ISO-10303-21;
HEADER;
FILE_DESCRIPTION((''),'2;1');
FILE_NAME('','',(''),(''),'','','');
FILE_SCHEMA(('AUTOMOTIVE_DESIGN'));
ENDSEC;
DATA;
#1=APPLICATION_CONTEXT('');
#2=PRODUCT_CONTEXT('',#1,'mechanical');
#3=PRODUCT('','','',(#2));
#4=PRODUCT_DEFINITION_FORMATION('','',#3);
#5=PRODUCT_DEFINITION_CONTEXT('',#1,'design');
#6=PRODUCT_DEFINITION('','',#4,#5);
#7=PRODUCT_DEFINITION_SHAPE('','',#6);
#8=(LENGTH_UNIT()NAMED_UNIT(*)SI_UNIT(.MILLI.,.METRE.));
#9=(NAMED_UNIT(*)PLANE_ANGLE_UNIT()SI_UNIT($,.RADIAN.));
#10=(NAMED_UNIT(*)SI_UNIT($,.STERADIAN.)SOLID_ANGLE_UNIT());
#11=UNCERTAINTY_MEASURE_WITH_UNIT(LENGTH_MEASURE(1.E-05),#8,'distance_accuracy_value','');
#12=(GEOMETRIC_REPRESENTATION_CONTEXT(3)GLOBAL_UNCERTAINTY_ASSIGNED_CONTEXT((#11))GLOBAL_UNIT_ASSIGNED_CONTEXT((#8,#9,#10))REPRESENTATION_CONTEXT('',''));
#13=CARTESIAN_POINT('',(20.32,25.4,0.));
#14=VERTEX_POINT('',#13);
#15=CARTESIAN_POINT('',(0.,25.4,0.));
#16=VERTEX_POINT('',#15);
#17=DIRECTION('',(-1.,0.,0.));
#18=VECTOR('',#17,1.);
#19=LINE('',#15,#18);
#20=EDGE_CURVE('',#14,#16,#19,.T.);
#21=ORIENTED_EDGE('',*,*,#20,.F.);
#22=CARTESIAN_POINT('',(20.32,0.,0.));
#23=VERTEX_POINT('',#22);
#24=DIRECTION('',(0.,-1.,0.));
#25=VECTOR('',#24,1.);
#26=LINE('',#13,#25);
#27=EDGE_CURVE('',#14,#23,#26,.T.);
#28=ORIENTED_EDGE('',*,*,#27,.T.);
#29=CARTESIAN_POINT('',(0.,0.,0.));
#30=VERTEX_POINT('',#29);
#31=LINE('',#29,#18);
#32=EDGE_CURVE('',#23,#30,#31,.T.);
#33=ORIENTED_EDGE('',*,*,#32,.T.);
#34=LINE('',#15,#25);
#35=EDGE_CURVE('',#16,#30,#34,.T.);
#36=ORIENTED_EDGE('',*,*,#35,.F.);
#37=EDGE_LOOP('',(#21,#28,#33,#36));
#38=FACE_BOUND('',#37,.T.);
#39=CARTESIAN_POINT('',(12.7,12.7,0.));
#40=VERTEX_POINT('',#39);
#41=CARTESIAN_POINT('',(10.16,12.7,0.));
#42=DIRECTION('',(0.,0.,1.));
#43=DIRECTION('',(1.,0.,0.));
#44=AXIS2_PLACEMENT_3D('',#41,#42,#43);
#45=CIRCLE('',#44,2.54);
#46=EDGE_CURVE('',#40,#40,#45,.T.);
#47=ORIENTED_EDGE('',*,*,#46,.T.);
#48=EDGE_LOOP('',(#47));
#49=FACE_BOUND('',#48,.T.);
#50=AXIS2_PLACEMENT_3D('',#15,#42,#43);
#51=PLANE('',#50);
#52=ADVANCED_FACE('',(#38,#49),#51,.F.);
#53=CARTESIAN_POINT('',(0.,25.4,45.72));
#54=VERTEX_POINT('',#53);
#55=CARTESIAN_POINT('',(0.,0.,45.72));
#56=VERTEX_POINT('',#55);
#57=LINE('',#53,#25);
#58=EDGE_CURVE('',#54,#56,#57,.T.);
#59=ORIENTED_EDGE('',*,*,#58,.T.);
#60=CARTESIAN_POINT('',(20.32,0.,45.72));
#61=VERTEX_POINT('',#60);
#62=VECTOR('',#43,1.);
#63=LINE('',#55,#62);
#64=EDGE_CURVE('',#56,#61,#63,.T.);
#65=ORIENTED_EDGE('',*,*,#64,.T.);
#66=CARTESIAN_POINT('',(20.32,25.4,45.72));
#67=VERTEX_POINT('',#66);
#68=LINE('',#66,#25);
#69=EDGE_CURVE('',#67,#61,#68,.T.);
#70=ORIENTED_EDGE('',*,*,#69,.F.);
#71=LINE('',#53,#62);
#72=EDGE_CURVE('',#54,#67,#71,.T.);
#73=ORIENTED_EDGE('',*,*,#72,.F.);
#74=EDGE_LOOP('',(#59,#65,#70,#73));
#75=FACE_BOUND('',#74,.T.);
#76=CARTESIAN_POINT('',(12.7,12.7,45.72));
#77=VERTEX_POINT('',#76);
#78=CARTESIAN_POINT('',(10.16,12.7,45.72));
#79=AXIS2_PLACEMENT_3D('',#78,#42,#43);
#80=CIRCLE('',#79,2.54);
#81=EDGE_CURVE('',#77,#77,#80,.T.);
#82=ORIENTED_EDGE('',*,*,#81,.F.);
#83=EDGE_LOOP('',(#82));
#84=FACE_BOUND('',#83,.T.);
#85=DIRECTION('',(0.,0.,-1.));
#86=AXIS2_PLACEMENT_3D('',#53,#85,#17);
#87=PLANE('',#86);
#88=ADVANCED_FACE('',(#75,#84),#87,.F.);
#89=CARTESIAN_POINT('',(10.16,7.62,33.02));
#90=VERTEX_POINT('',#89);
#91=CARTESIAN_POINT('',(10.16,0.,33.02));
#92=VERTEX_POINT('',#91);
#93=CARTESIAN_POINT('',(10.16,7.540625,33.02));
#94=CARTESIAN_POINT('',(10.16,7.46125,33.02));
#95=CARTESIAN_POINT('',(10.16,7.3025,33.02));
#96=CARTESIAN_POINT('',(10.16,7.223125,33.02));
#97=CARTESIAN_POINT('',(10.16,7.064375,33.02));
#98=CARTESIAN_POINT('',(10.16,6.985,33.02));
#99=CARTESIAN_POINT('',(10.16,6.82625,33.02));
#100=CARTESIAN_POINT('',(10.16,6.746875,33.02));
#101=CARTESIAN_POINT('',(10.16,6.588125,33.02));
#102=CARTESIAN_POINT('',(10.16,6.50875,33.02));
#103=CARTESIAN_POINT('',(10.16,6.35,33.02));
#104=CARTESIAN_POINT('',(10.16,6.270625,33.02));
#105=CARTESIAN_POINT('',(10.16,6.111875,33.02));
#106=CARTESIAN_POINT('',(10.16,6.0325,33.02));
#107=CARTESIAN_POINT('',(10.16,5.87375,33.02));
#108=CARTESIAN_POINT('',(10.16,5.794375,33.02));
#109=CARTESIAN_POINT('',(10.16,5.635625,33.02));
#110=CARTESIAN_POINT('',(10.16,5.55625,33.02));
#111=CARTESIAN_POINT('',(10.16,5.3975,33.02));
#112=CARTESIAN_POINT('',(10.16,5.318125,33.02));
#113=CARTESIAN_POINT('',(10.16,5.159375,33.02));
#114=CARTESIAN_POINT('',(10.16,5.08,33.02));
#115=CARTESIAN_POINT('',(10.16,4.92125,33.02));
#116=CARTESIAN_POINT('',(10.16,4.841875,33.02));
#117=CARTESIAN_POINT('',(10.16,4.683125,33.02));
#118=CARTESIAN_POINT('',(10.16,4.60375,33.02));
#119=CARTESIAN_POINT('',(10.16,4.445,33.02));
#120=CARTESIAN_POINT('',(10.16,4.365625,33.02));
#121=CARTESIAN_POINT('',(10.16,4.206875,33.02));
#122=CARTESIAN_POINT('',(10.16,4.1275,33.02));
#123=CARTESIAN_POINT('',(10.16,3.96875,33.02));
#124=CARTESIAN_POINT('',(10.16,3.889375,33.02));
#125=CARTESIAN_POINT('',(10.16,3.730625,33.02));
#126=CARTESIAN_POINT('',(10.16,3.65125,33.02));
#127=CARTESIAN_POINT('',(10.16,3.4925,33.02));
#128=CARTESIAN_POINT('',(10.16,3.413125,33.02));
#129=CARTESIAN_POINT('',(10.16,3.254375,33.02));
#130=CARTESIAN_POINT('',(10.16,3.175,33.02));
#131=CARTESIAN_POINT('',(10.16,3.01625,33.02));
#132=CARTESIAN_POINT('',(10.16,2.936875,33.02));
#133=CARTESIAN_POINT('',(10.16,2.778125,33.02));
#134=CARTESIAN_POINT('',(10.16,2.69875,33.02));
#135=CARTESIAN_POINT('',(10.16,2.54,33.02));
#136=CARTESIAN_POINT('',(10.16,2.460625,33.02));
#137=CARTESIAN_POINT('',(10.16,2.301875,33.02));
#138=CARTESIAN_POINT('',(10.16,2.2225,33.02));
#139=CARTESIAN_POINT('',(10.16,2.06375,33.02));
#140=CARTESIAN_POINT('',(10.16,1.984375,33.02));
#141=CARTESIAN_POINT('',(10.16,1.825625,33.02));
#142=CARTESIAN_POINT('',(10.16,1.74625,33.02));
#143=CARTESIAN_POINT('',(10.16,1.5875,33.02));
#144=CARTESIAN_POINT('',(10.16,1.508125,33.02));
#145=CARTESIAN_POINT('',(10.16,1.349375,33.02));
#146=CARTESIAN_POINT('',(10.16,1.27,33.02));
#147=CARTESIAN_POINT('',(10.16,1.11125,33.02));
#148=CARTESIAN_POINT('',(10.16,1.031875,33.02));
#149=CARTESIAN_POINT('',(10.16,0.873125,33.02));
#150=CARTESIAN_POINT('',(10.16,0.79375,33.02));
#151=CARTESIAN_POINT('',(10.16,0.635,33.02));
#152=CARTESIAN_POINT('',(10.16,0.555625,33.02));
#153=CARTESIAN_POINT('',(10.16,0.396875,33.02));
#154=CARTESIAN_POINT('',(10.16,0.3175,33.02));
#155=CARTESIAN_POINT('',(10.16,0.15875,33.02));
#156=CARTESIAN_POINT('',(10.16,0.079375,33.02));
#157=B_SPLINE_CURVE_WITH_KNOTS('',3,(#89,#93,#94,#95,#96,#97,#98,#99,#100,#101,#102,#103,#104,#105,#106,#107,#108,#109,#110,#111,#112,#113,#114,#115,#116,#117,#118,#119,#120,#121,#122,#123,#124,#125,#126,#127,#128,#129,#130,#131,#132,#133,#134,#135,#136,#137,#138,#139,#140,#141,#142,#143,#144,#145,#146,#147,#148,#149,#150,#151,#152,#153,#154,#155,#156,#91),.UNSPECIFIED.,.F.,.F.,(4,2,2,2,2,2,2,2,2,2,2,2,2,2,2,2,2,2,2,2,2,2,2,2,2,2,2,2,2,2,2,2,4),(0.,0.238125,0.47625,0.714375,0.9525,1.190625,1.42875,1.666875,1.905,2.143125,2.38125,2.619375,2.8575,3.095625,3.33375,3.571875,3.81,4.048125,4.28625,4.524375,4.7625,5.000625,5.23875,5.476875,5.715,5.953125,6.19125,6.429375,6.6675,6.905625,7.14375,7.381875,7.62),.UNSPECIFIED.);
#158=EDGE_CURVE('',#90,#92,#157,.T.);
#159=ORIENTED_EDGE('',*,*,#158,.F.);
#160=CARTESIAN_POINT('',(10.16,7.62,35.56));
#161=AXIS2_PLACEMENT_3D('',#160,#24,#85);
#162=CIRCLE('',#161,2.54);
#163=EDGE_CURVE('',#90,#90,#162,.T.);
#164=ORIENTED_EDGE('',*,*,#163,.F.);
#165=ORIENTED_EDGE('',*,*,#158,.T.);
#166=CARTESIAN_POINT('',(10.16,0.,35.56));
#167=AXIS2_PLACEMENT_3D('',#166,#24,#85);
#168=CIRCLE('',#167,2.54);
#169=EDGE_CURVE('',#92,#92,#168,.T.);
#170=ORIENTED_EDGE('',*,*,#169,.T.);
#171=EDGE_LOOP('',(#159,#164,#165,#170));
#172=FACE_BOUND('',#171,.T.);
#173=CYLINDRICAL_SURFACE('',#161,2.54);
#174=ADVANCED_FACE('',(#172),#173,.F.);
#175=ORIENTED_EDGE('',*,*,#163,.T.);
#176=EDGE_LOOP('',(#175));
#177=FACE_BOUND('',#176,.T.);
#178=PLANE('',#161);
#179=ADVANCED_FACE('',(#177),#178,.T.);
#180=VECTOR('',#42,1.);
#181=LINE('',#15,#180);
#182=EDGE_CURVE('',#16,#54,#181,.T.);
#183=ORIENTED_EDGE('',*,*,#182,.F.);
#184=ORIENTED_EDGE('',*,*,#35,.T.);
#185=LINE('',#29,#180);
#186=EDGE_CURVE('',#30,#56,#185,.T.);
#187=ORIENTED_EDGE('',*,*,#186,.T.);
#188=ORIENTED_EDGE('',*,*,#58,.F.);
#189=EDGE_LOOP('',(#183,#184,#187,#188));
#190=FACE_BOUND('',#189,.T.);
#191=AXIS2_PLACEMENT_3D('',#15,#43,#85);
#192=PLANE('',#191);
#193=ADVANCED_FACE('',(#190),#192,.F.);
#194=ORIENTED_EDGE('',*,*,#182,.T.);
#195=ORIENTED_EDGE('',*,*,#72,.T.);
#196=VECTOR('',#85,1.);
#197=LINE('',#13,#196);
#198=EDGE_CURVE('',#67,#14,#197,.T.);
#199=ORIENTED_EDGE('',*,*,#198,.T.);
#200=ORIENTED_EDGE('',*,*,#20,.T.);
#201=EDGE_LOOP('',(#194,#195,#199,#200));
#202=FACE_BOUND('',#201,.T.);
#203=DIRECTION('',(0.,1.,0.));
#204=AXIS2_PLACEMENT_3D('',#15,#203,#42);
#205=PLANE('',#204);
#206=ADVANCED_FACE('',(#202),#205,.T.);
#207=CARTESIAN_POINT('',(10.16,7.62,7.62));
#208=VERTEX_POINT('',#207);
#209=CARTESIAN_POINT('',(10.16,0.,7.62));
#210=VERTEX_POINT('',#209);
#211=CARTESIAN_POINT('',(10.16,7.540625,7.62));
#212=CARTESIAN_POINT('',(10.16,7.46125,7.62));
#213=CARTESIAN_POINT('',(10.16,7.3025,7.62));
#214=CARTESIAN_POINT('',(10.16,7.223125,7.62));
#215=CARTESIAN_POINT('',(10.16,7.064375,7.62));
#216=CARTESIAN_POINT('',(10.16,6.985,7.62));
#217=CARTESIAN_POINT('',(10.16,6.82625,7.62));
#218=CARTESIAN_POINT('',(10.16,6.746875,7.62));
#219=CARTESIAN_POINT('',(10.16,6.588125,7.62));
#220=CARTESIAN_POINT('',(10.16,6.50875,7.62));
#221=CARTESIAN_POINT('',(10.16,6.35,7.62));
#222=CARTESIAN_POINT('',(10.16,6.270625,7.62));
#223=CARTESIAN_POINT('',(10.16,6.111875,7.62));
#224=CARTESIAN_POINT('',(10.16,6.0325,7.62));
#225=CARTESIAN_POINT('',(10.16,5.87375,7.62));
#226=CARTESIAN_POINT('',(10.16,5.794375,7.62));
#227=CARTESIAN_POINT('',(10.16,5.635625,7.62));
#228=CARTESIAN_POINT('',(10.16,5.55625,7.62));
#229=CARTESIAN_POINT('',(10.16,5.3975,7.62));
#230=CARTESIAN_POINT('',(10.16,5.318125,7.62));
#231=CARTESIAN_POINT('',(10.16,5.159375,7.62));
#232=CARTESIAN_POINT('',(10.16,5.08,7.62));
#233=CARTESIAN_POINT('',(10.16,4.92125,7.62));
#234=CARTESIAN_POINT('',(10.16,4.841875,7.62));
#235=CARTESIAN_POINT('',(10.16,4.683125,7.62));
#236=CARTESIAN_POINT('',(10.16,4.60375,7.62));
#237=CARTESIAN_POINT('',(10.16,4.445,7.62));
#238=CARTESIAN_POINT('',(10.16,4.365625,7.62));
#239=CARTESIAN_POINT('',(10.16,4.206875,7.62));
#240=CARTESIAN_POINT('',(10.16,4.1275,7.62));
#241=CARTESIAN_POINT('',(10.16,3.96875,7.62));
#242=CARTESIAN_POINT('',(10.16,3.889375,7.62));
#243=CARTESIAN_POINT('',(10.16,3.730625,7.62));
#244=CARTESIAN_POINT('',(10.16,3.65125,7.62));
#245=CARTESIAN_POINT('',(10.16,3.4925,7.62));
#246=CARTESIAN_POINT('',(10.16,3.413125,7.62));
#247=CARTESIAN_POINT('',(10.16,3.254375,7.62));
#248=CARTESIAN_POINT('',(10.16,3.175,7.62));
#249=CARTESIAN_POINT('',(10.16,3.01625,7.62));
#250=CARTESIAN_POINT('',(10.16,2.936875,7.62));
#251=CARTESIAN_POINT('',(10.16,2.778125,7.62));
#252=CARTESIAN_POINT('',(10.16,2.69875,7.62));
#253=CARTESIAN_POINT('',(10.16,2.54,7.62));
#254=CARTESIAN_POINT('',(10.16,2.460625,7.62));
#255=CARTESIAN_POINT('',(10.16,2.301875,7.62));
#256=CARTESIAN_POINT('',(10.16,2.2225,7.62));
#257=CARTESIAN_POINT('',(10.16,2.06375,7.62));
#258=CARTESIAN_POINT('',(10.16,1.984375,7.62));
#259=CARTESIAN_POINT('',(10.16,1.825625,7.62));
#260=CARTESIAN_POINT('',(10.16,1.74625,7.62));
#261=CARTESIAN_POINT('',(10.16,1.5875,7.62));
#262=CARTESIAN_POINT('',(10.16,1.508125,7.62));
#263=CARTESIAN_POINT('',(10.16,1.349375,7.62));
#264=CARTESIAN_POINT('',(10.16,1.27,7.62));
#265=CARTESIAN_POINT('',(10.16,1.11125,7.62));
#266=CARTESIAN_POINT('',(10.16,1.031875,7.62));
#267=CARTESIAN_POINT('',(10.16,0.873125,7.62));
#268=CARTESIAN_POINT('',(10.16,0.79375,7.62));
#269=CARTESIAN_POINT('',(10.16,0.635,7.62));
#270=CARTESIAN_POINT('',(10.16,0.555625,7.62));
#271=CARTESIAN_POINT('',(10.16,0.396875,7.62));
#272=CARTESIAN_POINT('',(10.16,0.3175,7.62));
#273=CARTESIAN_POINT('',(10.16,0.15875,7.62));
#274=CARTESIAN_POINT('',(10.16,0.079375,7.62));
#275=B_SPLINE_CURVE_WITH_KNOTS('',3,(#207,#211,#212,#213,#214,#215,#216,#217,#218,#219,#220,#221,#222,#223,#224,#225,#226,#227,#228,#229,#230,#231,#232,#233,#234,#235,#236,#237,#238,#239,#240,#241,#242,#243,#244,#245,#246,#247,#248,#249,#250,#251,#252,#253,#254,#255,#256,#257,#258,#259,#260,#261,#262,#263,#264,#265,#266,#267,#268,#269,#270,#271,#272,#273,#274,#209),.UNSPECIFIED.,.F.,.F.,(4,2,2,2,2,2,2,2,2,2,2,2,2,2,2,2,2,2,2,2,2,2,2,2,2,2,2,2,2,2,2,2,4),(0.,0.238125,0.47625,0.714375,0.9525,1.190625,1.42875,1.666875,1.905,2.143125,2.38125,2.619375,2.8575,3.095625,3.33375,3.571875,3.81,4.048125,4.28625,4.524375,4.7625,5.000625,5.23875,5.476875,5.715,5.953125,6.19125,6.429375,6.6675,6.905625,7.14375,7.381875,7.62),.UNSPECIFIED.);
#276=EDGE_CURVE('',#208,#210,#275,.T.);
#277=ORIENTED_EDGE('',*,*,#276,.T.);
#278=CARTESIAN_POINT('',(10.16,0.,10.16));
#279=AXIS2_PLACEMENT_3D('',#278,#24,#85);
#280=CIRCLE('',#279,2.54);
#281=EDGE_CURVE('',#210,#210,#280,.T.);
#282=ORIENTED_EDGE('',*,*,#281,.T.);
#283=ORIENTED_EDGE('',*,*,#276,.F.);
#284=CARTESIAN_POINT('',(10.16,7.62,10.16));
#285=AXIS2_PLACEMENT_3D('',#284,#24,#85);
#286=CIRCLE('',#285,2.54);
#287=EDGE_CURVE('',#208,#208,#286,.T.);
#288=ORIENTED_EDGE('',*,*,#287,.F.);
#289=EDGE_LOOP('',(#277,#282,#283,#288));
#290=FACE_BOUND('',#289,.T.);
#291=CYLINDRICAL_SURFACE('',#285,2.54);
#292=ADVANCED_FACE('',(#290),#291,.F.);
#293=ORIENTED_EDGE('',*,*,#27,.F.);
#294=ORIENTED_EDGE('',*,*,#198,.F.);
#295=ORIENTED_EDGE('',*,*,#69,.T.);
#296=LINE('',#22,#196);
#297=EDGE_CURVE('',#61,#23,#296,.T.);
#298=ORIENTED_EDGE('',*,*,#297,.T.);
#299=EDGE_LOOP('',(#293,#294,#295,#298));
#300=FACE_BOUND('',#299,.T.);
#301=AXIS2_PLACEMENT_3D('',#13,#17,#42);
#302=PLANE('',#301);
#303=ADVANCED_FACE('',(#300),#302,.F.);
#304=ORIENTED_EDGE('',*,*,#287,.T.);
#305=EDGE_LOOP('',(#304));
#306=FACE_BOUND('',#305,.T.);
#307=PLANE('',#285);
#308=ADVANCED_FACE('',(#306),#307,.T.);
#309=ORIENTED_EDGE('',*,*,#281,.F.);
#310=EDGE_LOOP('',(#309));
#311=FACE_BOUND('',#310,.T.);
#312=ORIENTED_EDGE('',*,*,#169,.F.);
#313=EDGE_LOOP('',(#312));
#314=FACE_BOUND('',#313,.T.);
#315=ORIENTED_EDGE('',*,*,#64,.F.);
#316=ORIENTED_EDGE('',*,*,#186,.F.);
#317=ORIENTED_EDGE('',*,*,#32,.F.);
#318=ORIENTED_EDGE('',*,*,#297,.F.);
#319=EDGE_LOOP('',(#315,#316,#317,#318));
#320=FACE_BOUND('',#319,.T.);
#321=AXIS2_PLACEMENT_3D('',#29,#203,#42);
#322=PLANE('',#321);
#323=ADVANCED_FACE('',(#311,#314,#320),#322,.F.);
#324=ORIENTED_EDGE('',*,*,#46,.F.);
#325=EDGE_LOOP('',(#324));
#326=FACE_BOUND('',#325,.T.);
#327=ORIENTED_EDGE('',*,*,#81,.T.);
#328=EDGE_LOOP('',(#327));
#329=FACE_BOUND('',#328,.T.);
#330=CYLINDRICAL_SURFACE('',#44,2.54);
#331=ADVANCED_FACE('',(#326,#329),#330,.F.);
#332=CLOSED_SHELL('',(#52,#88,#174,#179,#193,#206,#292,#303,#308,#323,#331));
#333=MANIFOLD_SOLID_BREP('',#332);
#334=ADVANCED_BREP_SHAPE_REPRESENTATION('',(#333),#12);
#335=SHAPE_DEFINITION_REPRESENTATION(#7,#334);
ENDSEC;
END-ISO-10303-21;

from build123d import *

# Parameters (mm, degrees)
SKETCH1_W           = 20.32
SKETCH1_H           = 45.72
BOSS_EXTRUDE1_DEPTH = 25.4
SKETCH2_R           = 2.54
CUT_EXTRUDE1_DEPTH  = 57.110433967
SKETCH3_R           = 2.54
CUT_EXTRUDE2_DEPTH  = 7.62


with BuildPart() as part:
    # Sketch1 → Boss-Extrude1 (new body)
    with BuildSketch(Plane(origin=(0, 0, 0), x_dir=(1, 0, 0), z_dir=(0, 1, 0))):
        with Locations((10.16, -22.86)):
            Rectangle(SKETCH1_W, SKETCH1_H)
    extrude(amount=BOSS_EXTRUDE1_DEPTH)

    # Sketch2 → Cut-Extrude1 (cut, through all)
    with BuildSketch(Plane.XY.offset(45.72)):
        with Locations((10.16, 12.7)):
            Circle(SKETCH2_R)
    extrude(amount=-CUT_EXTRUDE1_DEPTH, mode=Mode.SUBTRACT)

    # Sketch3 → Cut-Extrude2 (cut)
    with BuildSketch(Plane(origin=(0, 0, 0), x_dir=(-1, 0, 0), z_dir=(0, -1, 0))):
        with Locations(Location((-10.16, -35.56, 0), (0, 0, 90))):
            Circle(SKETCH3_R)
        with Locations(Location((-10.16, -10.16, 0), (0, 0, 90))):
            Circle(SKETCH3_R)
    extrude(amount=-CUT_EXTRUDE2_DEPTH, mode=Mode.SUBTRACT)


solid = part.part
